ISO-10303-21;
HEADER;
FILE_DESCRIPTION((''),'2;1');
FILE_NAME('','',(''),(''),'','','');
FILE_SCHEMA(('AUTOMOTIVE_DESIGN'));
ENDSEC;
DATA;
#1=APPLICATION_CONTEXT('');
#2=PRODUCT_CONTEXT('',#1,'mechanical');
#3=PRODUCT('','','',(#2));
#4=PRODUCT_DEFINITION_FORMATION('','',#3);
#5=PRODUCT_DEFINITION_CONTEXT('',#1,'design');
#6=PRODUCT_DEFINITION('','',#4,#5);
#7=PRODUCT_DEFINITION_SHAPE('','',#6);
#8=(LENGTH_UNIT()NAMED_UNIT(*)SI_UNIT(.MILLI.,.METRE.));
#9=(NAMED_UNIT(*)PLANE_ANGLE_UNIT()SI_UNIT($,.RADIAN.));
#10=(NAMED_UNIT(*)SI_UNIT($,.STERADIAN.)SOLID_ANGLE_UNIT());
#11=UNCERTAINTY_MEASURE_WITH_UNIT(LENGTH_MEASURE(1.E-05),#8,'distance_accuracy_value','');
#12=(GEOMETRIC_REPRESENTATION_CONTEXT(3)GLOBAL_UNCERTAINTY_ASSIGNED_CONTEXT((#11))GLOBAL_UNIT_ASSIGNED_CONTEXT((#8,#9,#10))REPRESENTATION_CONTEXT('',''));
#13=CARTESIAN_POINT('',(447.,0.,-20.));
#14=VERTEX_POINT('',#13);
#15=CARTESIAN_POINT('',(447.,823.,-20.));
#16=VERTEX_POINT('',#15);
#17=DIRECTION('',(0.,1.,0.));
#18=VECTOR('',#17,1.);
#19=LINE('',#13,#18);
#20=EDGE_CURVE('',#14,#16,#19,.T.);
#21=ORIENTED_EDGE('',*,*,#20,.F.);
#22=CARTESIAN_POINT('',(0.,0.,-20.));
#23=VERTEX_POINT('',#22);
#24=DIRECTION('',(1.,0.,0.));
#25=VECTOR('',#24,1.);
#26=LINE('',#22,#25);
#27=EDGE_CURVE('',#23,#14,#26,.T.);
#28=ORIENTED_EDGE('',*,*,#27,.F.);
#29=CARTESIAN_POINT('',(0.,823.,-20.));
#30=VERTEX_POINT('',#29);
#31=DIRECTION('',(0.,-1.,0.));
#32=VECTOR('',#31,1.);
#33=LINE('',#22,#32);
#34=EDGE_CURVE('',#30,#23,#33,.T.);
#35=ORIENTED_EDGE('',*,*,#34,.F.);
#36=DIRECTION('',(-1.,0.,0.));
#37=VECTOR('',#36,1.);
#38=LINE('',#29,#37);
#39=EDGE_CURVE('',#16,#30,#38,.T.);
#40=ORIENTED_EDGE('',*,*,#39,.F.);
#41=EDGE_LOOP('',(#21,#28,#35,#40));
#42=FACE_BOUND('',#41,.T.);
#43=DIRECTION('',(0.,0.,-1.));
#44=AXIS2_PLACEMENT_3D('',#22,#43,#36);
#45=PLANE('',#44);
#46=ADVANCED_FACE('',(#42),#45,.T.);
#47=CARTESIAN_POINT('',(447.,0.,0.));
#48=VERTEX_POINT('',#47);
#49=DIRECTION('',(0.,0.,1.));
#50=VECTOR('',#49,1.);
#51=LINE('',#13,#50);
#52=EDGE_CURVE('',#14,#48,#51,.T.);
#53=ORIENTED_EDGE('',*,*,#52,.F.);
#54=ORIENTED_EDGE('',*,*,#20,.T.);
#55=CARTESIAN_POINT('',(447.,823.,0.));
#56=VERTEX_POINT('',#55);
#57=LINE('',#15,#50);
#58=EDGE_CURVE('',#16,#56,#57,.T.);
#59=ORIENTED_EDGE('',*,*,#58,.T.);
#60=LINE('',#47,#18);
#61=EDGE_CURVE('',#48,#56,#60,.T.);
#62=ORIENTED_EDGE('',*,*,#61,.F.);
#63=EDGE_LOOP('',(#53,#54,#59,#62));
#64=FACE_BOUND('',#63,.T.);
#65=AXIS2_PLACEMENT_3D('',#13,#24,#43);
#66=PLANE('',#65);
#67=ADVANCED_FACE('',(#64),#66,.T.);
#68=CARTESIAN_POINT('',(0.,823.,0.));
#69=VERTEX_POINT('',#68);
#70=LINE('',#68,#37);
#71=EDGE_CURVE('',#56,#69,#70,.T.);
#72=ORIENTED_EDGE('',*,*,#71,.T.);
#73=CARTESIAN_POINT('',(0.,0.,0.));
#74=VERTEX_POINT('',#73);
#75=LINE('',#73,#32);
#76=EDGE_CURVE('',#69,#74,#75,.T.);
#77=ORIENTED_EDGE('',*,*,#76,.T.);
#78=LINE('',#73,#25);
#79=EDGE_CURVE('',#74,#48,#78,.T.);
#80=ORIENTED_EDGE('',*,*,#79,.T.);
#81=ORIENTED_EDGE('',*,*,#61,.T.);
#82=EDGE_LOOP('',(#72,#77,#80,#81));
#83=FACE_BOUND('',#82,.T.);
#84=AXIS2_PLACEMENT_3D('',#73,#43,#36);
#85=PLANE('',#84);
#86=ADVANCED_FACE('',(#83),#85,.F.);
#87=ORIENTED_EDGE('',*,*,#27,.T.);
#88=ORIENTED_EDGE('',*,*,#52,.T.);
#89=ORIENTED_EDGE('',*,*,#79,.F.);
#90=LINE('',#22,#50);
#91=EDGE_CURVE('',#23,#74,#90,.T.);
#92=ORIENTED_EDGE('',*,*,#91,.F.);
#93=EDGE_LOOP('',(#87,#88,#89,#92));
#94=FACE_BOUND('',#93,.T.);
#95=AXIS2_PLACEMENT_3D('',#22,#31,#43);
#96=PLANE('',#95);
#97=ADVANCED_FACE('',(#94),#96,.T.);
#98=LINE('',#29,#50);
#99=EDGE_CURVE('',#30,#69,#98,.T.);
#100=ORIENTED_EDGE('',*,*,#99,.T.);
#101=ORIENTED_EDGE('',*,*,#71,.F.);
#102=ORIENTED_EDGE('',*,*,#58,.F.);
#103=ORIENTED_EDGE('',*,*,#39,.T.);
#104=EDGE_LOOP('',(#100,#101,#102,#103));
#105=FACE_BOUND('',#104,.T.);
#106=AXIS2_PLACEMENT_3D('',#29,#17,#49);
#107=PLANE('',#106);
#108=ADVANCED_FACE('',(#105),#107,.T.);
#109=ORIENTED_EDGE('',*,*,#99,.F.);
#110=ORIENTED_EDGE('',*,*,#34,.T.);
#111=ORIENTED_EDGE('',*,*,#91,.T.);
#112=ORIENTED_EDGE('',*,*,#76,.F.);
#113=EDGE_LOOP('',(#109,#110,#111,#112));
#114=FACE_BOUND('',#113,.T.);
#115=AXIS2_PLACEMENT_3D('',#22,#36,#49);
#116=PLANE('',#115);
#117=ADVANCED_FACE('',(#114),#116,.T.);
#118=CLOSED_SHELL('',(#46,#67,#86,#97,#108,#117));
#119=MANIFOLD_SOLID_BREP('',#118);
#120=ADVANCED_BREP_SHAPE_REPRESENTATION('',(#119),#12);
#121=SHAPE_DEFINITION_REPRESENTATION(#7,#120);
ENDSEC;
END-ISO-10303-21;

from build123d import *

# Parameters (mm, degrees)
SCHIZZO1_W                   = 447
SCHIZZO1_H                   = 823
ESTRUSIONE_ESTRUSIONE1_DEPTH = 20


with BuildPart() as part:
    # Schizzo1 → Estrusione-Estrusione1 (new body)
    with BuildSketch(Plane.XY):
        with Locations((223.5, 411.5)):
            Rectangle(SCHIZZO1_W, SCHIZZO1_H)
    extrude(amount=-ESTRUSIONE_ESTRUSIONE1_DEPTH)


solid = part.part
